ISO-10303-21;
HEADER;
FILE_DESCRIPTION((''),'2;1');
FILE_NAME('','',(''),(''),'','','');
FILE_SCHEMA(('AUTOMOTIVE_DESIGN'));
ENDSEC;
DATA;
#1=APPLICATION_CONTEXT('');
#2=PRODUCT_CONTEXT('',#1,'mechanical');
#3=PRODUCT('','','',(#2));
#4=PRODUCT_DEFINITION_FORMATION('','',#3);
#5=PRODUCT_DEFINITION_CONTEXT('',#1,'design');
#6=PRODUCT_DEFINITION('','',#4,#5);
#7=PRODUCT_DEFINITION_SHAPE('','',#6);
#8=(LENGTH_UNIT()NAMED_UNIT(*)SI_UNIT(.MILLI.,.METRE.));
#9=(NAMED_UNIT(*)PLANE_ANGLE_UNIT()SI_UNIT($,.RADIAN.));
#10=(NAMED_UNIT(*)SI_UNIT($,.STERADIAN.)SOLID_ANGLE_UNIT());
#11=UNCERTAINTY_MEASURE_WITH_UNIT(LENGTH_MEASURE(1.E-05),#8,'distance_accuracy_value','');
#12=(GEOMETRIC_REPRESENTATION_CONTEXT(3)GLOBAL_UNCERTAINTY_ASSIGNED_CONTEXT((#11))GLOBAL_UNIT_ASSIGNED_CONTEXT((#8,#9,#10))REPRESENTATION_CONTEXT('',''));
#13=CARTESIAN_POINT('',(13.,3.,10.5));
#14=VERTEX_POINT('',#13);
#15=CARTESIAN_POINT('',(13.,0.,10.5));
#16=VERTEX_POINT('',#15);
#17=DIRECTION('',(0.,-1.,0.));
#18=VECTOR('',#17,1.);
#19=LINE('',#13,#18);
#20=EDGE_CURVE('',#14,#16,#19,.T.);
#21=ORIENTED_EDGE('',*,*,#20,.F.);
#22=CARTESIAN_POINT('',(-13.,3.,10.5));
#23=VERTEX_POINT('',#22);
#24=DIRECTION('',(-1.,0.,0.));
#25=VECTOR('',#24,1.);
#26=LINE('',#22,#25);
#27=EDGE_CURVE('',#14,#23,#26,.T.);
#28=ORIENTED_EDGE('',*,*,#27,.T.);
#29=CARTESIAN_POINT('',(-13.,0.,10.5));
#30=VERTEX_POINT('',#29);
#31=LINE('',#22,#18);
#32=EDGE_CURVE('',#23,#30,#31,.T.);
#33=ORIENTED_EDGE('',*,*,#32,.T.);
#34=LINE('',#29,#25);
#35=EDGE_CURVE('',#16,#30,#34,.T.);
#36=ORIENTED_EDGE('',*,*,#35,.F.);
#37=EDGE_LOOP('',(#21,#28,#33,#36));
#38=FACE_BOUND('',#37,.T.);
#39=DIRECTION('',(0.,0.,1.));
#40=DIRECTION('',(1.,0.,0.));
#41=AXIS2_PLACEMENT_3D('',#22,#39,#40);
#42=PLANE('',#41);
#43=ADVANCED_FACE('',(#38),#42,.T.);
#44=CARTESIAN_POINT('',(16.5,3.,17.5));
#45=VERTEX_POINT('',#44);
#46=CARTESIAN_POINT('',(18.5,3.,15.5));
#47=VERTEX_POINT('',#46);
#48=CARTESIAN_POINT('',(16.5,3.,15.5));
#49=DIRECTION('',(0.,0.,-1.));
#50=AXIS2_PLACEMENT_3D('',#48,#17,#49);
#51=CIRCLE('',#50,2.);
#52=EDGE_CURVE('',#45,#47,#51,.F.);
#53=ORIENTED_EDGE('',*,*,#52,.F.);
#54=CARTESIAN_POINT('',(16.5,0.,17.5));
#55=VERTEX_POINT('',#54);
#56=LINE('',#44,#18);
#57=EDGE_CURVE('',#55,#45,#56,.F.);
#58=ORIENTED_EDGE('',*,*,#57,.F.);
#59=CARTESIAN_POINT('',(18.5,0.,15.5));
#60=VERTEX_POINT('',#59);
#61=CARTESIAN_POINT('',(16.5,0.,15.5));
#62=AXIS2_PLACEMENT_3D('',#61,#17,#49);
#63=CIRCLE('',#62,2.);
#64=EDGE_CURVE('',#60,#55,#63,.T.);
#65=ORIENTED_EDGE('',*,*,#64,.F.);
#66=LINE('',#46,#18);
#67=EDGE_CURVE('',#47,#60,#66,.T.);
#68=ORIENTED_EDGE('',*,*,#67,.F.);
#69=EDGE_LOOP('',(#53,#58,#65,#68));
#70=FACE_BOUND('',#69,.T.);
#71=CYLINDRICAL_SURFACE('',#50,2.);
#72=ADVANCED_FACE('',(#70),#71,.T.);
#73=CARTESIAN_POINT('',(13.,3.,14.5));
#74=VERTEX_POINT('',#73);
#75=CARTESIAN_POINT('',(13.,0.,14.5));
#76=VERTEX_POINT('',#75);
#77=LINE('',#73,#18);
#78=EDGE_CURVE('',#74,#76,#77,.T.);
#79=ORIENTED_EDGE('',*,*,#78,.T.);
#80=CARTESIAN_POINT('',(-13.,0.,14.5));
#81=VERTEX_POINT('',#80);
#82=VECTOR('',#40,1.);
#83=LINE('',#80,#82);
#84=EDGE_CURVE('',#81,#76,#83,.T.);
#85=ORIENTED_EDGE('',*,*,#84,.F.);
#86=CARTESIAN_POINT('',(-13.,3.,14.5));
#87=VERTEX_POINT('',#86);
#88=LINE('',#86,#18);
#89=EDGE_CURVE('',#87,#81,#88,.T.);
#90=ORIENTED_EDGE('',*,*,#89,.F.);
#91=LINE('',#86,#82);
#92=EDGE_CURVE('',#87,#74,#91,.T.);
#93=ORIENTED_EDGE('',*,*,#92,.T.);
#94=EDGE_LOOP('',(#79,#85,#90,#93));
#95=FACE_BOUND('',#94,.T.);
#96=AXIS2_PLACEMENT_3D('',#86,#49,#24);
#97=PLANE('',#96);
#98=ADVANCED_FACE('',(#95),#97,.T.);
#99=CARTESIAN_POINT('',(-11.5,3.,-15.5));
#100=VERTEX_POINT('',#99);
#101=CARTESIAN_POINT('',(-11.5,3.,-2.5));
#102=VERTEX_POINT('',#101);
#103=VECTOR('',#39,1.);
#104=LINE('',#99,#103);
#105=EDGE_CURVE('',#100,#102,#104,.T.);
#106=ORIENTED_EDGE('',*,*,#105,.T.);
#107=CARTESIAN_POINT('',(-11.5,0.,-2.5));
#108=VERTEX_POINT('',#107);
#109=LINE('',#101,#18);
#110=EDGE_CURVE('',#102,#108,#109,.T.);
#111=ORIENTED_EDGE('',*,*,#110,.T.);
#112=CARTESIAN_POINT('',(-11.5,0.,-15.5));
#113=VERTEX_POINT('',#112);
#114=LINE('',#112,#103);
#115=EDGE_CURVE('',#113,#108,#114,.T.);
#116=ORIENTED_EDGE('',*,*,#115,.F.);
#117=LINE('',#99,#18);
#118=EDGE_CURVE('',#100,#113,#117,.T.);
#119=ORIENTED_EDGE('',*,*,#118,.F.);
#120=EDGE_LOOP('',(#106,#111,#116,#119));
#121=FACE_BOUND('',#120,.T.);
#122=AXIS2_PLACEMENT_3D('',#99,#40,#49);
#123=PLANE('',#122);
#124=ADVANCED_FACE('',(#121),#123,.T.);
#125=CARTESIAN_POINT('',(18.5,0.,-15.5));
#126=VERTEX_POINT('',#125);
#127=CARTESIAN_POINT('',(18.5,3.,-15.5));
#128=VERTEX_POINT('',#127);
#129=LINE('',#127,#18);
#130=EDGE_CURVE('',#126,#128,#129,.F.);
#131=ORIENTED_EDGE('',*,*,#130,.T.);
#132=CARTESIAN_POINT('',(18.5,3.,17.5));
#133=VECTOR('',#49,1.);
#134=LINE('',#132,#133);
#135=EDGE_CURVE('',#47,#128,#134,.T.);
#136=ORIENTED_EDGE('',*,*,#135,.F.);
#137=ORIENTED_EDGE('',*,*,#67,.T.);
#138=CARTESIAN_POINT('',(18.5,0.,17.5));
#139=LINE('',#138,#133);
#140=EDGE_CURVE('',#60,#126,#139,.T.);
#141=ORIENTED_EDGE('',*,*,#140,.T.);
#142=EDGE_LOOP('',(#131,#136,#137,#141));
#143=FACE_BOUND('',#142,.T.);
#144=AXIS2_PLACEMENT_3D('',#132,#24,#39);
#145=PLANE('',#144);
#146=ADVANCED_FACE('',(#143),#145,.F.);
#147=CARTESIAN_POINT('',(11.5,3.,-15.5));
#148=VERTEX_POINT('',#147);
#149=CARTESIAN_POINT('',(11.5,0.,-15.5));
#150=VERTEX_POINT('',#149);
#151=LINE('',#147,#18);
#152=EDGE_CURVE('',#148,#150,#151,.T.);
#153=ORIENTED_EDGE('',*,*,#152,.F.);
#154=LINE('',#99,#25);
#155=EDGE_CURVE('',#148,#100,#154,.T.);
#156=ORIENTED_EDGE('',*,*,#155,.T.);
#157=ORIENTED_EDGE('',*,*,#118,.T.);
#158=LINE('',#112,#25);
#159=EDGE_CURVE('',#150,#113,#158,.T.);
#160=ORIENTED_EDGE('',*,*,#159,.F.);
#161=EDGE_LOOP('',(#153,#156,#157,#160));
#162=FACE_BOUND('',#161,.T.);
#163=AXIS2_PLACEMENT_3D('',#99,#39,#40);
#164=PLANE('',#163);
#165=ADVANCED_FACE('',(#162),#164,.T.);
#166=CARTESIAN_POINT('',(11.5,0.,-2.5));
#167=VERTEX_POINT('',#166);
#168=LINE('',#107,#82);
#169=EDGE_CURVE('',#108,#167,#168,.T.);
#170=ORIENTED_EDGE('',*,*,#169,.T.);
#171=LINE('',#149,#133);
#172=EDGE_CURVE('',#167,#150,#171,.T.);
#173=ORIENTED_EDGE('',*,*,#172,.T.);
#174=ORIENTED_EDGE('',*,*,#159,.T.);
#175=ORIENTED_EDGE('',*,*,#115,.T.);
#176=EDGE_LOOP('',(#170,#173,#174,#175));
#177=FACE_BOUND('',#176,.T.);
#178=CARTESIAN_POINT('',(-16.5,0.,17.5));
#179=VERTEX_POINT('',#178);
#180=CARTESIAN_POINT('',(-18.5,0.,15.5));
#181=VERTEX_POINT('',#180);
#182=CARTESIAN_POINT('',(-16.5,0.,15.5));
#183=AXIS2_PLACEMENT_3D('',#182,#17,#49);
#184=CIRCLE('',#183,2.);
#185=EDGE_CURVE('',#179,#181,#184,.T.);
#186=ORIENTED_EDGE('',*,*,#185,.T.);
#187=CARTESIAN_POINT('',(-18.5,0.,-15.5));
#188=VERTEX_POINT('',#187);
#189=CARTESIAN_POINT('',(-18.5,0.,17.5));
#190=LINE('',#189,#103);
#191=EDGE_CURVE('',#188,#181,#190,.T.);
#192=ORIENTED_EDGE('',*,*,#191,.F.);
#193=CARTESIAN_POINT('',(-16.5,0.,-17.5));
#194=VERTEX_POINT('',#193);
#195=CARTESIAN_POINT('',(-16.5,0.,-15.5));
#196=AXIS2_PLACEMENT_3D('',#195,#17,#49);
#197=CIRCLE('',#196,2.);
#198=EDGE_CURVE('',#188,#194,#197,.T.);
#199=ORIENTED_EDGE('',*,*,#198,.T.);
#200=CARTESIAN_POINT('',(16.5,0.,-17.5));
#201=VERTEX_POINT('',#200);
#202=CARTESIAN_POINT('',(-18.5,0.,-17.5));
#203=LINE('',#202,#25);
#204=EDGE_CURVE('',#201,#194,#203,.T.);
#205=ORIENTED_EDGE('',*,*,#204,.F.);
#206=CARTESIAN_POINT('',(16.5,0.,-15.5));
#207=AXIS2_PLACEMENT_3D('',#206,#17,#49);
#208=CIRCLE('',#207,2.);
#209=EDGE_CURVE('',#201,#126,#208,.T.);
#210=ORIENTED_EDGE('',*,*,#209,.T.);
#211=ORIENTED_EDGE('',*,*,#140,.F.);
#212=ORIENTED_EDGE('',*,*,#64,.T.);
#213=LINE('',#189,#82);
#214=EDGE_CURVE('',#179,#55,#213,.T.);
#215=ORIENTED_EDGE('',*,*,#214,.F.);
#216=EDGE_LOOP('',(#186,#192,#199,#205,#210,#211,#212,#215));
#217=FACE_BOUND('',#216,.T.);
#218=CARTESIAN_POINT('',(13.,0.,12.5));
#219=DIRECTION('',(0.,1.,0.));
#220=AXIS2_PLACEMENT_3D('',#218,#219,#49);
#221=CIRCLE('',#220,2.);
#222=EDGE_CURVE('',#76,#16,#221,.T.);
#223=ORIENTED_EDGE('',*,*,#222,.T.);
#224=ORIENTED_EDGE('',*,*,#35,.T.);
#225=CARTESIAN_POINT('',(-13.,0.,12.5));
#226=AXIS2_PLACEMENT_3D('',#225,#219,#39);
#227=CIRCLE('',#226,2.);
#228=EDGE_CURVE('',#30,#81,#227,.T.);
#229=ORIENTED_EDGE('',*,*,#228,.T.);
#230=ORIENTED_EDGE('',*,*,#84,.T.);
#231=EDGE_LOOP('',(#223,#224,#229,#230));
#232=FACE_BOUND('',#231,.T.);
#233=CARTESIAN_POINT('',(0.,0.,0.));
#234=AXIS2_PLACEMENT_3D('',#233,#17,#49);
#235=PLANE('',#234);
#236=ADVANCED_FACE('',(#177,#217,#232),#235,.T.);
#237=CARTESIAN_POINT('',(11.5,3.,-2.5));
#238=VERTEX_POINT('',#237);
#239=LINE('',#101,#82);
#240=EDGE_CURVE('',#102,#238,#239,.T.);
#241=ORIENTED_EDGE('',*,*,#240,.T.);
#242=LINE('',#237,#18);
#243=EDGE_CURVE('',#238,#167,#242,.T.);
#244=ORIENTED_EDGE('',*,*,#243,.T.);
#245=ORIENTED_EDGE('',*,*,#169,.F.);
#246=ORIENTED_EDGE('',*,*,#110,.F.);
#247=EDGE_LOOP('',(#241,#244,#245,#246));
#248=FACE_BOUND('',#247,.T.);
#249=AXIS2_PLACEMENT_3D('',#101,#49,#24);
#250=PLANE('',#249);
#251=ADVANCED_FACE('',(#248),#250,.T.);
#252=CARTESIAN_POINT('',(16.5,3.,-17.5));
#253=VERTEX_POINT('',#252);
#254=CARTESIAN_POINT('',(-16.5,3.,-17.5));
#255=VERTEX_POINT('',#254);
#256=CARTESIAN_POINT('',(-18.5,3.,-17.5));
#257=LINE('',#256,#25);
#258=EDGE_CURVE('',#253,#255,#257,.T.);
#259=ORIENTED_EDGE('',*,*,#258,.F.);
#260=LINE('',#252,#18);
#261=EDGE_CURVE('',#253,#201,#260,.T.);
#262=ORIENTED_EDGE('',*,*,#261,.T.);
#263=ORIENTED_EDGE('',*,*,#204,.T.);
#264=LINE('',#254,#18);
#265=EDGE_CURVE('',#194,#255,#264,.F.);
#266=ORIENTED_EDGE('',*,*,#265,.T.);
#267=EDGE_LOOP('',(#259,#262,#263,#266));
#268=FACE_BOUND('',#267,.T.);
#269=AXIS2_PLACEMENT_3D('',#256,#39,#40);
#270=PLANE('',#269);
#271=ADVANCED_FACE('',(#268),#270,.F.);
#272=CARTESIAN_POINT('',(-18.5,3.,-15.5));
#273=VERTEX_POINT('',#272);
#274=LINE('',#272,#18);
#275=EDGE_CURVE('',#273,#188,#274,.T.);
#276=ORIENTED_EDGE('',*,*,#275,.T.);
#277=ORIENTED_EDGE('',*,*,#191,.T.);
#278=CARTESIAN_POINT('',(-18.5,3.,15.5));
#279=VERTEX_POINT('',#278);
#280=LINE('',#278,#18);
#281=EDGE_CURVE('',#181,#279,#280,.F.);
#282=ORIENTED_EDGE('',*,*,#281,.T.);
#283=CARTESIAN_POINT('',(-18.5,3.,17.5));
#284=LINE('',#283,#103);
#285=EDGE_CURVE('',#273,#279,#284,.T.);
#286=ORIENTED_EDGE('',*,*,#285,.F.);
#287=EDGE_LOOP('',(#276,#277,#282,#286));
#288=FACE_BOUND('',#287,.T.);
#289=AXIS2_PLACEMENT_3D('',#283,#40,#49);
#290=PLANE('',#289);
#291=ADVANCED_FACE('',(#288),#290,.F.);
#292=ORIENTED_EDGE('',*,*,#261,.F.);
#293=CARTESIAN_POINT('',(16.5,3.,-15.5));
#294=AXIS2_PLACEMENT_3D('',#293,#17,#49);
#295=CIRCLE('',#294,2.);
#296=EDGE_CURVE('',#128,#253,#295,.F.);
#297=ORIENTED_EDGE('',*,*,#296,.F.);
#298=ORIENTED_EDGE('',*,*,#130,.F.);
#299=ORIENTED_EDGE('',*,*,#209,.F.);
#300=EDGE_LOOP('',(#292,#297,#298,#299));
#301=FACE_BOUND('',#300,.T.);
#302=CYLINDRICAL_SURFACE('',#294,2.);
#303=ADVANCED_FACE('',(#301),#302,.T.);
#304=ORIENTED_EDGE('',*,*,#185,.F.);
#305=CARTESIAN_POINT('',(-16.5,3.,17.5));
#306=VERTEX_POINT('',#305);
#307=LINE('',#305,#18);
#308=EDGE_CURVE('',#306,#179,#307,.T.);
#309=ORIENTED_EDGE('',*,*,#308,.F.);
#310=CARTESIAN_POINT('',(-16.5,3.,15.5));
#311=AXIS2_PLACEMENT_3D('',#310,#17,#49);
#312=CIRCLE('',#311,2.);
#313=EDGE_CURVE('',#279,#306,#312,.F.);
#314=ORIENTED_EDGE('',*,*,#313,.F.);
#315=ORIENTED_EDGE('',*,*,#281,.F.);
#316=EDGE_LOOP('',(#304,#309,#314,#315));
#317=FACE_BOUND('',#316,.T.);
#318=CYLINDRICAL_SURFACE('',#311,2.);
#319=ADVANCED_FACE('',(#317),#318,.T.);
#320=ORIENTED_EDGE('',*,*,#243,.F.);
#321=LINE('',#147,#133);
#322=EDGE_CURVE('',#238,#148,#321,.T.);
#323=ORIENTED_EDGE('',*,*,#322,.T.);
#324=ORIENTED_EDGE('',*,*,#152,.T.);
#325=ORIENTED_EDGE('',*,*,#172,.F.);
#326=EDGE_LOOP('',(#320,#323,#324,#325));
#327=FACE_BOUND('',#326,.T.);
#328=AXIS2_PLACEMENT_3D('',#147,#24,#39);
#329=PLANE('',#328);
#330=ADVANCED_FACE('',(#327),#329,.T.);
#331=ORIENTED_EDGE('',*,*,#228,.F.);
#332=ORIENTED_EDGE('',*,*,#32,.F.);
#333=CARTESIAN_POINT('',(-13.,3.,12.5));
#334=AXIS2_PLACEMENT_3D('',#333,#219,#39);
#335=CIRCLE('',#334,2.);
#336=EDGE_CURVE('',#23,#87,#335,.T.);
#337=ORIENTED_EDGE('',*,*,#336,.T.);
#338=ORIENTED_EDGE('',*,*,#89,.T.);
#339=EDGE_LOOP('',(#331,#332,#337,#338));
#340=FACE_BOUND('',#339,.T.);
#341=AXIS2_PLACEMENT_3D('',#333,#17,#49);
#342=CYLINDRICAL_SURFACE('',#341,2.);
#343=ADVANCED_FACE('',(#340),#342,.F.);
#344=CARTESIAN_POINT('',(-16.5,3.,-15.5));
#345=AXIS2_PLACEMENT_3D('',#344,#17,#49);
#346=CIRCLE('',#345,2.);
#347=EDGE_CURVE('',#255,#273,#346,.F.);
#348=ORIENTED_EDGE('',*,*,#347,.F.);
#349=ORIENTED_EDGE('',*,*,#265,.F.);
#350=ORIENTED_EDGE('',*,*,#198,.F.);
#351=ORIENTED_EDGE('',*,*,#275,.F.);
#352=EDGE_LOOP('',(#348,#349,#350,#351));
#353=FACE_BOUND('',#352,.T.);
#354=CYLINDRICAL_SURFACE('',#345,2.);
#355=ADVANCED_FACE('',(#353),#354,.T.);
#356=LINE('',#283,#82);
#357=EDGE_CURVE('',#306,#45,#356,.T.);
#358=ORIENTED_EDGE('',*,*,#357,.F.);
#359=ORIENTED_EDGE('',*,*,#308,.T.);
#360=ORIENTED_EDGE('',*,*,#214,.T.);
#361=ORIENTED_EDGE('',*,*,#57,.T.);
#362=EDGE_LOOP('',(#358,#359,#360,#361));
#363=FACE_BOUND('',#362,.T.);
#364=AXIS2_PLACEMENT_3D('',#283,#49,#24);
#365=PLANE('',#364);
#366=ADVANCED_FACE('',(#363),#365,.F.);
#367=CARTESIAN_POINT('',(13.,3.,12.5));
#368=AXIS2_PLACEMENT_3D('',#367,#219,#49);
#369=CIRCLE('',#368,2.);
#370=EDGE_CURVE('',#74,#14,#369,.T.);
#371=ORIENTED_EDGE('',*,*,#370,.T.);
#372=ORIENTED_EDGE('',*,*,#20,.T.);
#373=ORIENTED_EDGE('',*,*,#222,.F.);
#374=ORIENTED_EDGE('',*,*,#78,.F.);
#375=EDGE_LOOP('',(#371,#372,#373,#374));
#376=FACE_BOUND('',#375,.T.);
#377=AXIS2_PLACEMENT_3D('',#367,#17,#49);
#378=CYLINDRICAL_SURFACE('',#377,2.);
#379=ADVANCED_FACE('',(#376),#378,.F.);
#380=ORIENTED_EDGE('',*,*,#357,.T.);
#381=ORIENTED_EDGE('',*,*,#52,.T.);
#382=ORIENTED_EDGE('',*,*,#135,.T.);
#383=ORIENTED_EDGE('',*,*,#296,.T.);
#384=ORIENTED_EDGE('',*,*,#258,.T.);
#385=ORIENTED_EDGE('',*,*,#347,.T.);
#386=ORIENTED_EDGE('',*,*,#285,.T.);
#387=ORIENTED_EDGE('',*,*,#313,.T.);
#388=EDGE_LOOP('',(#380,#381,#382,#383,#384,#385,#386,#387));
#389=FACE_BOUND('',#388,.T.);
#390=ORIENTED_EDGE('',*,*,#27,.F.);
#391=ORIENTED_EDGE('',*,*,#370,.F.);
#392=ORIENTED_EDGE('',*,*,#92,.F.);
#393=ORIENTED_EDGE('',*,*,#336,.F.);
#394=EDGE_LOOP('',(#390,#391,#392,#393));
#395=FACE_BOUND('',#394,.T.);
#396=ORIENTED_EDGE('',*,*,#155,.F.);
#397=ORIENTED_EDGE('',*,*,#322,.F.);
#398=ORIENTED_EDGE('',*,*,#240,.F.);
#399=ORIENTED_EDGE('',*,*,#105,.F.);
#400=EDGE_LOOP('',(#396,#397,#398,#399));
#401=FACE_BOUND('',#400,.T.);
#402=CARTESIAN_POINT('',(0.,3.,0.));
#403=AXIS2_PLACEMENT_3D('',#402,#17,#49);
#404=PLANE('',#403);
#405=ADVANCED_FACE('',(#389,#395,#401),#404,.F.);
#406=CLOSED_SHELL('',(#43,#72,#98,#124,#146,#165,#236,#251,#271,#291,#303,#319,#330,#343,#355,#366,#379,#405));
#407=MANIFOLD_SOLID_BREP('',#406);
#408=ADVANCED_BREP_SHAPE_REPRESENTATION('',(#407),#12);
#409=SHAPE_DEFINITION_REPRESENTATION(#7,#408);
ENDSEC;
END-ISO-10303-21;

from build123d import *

# Parameters (mm, degrees)
SKETCH1_W           = 37
SKETCH1_H           = 35
SKETCH1_W_2         = 23
SKETCH1_H_2         = 13
BOSS_EXTRUDE1_DEPTH = 3
FILLET1_R           = 2


with BuildPart() as part:
    # Sketch1 → Boss-Extrude1 (new body)
    with BuildSketch(Plane(origin=(0, 0, 0), x_dir=(1, 0, 0), z_dir=(0, 1, 0))):
        Rectangle(SKETCH1_W, SKETCH1_H)
        with Locations((0, 9)):
            Rectangle(SKETCH1_W_2, SKETCH1_H_2, mode=Mode.SUBTRACT)
        with BuildLine():
            Line((-13, -10.5), (13, -10.5))
            ThreePointArc((13, -10.5), (15, -12.5), (13, -14.5))
            Line((13, -14.5), (-13, -14.5))
            ThreePointArc((-13, -14.5), (-15, -12.5), (-13, -10.5))
        make_face(mode=Mode.SUBTRACT)
    extrude(amount=BOSS_EXTRUDE1_DEPTH)

    # Fillet1
    fillet1_edges = [part.edges().sort_by_distance(p)[0] for p in [
        (18.5, 1.5, 17.5),
        (-18.5, 1.5, 17.5),
        (-18.5, 1.5, -17.5),
        (18.5, 1.5, -17.5),
    ]]
    fillet(fillet1_edges, radius=FILLET1_R)


solid = part.part
